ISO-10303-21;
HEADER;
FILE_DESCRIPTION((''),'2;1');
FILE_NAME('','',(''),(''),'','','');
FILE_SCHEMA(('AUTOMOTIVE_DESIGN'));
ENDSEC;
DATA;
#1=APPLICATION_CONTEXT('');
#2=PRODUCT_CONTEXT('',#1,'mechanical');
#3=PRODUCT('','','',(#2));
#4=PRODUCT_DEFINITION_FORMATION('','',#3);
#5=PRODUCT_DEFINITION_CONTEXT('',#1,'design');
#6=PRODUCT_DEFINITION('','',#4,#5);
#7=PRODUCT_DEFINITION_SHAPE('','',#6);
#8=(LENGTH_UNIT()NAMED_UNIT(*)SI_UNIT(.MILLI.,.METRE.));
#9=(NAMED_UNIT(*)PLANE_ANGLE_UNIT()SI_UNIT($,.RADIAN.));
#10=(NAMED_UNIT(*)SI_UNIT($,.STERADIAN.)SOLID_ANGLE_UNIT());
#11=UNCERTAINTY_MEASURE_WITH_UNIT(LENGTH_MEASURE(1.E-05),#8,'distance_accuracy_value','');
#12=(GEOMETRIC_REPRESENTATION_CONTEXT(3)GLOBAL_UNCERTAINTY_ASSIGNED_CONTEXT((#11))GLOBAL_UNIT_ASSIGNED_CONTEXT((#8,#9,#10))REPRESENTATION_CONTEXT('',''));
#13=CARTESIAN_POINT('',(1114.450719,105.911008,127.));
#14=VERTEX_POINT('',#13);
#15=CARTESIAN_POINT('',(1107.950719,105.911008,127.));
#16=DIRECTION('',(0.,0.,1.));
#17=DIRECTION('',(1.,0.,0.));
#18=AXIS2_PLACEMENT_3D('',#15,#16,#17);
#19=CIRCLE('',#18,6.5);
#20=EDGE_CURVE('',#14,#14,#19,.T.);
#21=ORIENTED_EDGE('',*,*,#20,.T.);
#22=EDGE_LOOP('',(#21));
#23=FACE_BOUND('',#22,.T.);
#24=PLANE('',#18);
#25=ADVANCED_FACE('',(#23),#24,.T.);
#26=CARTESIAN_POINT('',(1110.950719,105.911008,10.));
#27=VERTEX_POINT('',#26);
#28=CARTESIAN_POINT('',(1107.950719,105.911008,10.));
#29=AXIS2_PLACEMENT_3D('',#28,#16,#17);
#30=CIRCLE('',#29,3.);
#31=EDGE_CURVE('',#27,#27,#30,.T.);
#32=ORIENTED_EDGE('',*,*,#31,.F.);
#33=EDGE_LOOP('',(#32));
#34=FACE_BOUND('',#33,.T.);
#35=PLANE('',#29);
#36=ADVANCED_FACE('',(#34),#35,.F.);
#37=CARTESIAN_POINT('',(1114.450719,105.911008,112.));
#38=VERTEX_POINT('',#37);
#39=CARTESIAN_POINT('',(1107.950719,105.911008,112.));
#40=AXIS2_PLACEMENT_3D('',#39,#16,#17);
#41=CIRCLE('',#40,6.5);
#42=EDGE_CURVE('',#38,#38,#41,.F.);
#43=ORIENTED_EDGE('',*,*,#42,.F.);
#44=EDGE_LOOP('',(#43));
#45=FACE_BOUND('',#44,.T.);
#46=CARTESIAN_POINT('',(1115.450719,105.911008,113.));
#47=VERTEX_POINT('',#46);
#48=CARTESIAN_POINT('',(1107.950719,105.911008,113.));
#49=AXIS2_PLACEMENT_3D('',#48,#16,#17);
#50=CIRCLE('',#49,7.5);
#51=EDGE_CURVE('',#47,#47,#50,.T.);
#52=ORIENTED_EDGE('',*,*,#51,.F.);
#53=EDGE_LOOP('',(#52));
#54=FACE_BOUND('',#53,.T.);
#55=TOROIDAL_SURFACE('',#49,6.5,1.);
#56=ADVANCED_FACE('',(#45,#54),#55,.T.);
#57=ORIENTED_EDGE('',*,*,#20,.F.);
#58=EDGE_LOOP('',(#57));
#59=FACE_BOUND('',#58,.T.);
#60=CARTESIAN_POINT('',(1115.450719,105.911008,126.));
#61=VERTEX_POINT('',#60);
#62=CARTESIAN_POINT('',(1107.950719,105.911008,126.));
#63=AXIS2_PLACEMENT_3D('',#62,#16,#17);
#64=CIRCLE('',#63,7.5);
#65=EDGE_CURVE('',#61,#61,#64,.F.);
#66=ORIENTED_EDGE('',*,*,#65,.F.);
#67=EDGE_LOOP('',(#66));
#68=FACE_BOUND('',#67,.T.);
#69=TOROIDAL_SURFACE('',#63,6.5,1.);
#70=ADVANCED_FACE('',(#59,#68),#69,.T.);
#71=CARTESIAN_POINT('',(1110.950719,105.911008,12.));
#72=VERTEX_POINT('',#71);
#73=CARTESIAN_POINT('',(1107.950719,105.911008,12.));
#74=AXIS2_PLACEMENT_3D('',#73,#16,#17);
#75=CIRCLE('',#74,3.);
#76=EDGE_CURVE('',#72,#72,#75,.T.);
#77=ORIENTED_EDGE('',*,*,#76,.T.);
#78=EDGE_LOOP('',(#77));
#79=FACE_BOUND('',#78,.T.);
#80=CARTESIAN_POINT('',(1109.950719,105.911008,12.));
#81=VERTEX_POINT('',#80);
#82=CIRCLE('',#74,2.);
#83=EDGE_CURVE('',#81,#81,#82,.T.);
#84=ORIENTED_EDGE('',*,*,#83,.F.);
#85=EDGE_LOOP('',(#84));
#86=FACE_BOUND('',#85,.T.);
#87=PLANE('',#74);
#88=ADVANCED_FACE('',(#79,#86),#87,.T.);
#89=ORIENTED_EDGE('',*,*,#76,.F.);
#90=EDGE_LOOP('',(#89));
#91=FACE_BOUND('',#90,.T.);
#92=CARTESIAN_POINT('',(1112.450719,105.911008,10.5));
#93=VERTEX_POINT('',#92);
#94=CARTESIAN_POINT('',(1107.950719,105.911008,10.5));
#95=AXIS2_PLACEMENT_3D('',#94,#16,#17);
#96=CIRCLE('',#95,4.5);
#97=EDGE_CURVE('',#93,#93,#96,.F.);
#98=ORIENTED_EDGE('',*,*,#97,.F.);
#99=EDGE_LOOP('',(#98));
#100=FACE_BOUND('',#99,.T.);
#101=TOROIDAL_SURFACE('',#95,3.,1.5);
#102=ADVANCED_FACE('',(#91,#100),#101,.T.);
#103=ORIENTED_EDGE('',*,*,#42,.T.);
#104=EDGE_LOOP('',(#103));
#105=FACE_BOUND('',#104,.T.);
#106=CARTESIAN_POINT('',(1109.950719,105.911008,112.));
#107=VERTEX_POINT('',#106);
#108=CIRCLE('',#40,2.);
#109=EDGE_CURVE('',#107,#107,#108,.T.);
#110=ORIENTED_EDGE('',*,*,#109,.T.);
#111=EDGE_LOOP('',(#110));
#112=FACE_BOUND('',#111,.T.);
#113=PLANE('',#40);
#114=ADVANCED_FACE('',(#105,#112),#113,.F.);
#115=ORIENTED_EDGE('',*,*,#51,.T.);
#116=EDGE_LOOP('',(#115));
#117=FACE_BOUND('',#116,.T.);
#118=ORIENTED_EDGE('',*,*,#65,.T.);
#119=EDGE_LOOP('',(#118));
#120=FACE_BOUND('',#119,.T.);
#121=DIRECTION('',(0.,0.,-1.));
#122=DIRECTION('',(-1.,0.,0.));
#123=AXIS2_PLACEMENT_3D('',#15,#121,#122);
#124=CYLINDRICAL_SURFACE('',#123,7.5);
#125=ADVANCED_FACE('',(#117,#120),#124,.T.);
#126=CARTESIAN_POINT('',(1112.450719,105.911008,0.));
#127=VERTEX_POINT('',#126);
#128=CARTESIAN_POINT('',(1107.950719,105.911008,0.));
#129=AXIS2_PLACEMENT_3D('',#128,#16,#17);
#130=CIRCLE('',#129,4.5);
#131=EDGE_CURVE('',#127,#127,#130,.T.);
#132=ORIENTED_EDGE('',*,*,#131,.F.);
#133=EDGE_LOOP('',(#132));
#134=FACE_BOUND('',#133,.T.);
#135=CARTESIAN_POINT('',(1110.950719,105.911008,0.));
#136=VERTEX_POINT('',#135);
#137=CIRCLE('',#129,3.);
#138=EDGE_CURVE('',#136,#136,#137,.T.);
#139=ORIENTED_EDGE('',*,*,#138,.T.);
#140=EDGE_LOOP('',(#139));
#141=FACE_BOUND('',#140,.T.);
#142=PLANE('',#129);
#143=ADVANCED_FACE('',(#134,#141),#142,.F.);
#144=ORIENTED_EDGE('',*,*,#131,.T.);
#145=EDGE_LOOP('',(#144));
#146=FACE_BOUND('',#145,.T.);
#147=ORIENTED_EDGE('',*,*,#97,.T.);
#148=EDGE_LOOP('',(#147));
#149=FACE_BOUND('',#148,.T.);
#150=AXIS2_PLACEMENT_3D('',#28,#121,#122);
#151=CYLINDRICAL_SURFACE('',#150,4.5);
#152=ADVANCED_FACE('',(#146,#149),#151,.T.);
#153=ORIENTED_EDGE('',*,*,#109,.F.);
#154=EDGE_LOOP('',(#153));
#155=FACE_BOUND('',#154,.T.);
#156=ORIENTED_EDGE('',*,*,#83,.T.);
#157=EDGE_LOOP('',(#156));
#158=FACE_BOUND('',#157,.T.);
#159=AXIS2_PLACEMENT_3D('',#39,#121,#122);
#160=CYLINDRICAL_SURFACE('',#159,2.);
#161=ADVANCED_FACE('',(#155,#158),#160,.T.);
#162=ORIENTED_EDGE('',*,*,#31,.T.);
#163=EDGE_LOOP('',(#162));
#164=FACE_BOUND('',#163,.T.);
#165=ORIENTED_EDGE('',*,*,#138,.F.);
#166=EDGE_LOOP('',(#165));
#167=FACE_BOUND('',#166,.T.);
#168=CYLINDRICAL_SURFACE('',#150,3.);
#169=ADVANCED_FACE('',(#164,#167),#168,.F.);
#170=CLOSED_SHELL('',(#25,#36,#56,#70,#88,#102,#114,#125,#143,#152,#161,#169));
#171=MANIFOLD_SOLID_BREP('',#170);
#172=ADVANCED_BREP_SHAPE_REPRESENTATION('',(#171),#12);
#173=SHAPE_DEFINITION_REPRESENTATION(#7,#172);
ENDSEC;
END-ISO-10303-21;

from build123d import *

# Parameters (mm, degrees)
SKETCH1_R           = 4.5
SKETCH1_R_2         = 3
BOSS_EXTRUDE1_DEPTH = 10
SKETCH2_R           = 4.5
BOSS_EXTRUDE2_DEPTH = 2
SKETCH3_R           = 2
BOSS_EXTRUDE3_DEPTH = 100
SKETCH4_R           = 7.5
BOSS_EXTRUDE4_DEPTH = 15
FILLET1_R           = 1
FILLET2_R           = 1.5


with BuildPart() as part:
    # Sketch1 → Boss-Extrude1 (new body)
    with BuildSketch(Plane.XY):
        with Locations((1107.950719415, 105.911007762)):
            Circle(SKETCH1_R)
        with Locations((1107.950719415, 105.911007762)):
            Circle(SKETCH1_R_2, mode=Mode.SUBTRACT)
    extrude(amount=BOSS_EXTRUDE1_DEPTH)

    # Sketch2 → Boss-Extrude2 (add)
    with BuildSketch(Plane.XY.offset(10)):
        with Locations((1107.950719415, 105.911007762)):
            Circle(SKETCH2_R)
    extrude(amount=BOSS_EXTRUDE2_DEPTH)

    # Sketch3 → Boss-Extrude3 (add)
    with BuildSketch(Plane.XY.offset(12)):
        with Locations((1107.950719415, 105.911007762)):
            Circle(SKETCH3_R)
    extrude(amount=BOSS_EXTRUDE3_DEPTH)

    # Sketch4 → Boss-Extrude4 (add)
    with BuildSketch(Plane.XY.offset(112)):
        with Locations((1107.950719415, 105.911007762)):
            Circle(SKETCH4_R)
    extrude(amount=BOSS_EXTRUDE4_DEPTH)

    # Fillet1
    fillet1_edges = [part.edges().sort_by_distance(p)[0] for p in [
        (1100.450719415, 105.911007762, 112),
        (1100.450719415, 105.911007762, 127),
    ]]
    fillet(fillet1_edges, radius=FILLET1_R)

    # Fillet2
    fillet2_edges = [part.edges().sort_by_distance(p)[0] for p in [
        (1103.450719415, 105.911007762, 12),
    ]]
    fillet(fillet2_edges, radius=FILLET2_R)


solid = part.part
